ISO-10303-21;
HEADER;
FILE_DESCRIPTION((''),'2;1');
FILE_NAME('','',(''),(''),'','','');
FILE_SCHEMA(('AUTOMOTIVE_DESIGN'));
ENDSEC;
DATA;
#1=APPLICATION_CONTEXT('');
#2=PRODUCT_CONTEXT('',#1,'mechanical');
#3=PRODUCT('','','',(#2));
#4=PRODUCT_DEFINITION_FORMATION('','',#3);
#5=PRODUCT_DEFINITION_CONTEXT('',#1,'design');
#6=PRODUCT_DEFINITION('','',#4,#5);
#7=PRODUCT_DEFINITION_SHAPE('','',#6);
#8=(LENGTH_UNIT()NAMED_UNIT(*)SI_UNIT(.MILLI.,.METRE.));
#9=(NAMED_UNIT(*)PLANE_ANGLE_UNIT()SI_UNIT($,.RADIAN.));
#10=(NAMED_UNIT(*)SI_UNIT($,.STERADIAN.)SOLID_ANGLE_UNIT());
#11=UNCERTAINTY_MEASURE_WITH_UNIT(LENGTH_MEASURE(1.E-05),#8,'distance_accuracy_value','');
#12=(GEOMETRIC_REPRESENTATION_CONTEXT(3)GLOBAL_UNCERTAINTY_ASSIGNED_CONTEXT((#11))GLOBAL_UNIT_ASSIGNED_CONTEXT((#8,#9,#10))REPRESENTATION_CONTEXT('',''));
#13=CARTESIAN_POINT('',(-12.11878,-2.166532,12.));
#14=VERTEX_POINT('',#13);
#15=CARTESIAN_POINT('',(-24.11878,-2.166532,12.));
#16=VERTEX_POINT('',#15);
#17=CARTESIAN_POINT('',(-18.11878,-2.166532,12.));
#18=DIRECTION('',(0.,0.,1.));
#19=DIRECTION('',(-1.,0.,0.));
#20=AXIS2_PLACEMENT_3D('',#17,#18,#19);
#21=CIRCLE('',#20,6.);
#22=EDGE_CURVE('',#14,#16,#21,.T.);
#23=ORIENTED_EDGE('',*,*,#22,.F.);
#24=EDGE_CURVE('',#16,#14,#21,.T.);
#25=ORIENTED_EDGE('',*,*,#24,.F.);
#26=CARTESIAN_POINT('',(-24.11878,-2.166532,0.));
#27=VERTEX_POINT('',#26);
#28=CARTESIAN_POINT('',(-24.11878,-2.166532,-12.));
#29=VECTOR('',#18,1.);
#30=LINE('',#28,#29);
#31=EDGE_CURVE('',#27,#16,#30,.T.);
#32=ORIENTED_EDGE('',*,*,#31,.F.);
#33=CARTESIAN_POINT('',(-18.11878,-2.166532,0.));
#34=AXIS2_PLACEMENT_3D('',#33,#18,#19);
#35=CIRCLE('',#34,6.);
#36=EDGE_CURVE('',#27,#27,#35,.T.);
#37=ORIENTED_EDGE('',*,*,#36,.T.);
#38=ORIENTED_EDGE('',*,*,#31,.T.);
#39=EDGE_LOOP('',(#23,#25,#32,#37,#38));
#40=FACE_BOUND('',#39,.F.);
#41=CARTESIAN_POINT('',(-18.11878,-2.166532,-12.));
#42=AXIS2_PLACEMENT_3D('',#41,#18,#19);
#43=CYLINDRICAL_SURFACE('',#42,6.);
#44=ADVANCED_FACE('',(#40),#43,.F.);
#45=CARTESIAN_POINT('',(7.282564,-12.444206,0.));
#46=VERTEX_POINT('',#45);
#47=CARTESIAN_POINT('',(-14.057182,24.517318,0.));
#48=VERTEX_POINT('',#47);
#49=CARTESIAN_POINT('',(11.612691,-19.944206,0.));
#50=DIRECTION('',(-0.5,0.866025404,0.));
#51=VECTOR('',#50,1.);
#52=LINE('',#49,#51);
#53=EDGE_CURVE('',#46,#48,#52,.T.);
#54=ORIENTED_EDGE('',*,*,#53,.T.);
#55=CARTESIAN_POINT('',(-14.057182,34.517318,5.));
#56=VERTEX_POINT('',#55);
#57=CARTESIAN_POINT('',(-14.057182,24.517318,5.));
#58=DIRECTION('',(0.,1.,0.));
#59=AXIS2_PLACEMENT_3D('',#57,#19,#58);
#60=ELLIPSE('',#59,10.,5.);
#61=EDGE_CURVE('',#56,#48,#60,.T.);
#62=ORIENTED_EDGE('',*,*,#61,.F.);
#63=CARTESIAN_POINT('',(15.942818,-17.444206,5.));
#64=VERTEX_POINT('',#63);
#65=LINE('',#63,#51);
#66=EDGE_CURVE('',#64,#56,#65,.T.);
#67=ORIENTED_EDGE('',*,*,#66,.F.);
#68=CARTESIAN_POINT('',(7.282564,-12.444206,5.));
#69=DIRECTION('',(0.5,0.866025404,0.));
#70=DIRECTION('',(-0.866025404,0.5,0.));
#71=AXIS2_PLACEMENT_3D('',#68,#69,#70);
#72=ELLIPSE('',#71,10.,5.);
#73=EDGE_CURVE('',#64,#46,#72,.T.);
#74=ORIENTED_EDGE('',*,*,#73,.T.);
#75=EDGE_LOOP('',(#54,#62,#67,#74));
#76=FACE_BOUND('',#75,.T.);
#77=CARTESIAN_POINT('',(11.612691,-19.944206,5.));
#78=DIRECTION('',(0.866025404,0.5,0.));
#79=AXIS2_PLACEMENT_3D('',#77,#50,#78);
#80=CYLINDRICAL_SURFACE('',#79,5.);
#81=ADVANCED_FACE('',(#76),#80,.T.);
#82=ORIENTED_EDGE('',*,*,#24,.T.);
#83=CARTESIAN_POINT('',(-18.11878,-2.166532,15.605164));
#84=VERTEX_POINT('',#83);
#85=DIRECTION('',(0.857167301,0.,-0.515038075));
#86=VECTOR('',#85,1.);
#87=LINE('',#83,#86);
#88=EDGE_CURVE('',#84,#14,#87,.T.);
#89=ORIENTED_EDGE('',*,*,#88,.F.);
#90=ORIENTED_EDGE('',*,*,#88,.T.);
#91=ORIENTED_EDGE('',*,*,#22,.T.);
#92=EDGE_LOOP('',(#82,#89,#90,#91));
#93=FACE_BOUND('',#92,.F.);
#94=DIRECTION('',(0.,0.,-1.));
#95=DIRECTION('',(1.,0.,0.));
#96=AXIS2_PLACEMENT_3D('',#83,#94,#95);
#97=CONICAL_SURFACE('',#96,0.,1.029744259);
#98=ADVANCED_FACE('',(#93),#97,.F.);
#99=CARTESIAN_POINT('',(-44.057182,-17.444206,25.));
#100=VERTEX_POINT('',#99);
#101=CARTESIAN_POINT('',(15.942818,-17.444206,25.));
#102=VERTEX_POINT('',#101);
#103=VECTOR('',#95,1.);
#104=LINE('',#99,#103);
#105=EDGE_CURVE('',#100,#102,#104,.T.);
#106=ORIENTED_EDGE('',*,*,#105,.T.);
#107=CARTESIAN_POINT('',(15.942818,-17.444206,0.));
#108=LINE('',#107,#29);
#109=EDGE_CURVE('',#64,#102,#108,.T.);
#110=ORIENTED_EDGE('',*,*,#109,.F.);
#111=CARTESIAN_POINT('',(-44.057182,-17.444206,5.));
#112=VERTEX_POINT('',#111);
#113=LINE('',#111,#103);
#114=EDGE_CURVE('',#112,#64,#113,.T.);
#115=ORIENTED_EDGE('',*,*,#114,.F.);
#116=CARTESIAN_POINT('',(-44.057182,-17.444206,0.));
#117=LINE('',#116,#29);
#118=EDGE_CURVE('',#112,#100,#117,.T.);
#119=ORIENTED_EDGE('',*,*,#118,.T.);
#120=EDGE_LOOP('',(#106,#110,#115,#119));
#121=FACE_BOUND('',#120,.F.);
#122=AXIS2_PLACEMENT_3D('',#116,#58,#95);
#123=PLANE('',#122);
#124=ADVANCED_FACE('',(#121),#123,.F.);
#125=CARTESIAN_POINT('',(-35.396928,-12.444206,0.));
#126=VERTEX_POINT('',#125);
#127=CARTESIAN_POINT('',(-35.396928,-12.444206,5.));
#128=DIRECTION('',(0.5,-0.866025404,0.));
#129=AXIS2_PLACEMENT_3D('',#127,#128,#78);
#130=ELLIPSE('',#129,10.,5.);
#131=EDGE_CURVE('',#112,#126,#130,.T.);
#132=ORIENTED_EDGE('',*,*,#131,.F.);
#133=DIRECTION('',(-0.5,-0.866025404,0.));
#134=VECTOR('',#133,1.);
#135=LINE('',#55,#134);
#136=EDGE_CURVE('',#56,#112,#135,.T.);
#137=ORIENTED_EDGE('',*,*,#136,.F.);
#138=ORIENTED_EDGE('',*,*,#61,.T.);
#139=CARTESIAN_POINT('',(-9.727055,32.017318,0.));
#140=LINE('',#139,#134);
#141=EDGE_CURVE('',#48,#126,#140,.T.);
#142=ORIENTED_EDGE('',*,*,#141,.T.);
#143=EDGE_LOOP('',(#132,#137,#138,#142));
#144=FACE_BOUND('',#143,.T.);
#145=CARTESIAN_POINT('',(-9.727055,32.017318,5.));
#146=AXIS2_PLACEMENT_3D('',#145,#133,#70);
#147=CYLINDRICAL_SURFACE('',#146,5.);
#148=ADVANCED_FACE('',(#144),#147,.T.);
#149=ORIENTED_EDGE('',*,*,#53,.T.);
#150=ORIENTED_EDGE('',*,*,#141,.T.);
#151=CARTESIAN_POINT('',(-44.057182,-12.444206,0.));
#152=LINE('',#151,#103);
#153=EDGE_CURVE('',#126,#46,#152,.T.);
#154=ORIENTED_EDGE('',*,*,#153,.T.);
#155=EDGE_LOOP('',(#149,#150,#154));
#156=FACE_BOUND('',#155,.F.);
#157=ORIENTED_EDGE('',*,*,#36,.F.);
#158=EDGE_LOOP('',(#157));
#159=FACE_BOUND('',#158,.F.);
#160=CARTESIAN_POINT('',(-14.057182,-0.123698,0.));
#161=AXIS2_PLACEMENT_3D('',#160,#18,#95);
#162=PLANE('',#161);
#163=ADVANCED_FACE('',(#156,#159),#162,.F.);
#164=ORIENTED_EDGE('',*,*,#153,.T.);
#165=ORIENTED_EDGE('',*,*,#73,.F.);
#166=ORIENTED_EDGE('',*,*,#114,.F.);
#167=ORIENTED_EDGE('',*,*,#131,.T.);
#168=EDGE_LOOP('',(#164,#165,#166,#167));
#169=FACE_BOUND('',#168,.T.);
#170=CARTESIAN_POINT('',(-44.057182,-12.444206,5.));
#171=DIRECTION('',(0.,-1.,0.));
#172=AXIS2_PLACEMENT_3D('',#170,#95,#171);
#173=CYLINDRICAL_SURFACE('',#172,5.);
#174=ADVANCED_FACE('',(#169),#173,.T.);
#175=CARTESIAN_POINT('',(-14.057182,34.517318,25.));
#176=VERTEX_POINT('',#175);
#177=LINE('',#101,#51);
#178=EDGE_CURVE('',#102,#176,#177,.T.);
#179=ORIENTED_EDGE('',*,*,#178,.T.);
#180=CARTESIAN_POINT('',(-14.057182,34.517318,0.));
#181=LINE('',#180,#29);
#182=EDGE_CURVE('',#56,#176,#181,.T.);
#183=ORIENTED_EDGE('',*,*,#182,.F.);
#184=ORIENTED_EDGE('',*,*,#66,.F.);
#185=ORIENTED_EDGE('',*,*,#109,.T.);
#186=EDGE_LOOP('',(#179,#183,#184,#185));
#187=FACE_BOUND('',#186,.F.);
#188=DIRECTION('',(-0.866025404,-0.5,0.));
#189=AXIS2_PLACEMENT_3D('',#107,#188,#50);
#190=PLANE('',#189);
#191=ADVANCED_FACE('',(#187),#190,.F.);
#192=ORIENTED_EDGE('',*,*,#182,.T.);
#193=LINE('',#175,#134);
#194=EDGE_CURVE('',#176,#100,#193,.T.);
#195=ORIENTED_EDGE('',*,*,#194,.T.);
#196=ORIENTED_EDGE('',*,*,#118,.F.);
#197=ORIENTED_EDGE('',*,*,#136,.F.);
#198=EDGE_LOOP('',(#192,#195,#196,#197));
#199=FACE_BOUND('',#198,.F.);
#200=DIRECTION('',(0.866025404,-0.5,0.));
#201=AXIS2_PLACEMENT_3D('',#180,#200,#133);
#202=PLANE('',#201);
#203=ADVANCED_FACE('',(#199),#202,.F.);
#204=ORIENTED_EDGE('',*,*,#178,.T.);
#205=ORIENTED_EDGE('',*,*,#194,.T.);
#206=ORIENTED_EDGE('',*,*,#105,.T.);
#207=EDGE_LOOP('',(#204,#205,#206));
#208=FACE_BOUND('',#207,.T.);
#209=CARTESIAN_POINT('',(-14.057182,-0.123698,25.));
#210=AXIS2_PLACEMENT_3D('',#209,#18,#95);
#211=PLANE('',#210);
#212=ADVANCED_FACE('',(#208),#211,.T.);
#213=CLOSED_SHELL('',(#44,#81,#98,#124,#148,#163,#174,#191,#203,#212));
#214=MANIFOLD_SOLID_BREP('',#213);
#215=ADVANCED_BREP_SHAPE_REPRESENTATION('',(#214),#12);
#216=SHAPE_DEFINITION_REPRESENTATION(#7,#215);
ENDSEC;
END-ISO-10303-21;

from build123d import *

# Parameters (mm, degrees)
F0_R     = 7.3867254589
F1_DEPTH = 25
F3_D     = 12
F3_DEPTH = 12
F3_TIP   = 3.6051637142
F4_R     = 5


with BuildPart() as f1:
    # F0 (on Top) → F1 (new body)
    with BuildSketch(Plane.XY):
        Polygon((15.9428178774, -17.4442061965), (-14.0571821226, 34.5173180305), (-44.0571821226, -17.4442061965), align=None)
        with Locations((-21.5571821226, -4.4538251398)):
            Circle(F0_R, mode=Mode.SUBTRACT)
        with Locations((-21.5571821226, -4.4538251398)):
            Circle(F0_R)
    extrude(amount=F1_DEPTH)

    # F3
    with Locations(Plane(origin=(0, 0, 0), x_dir=(1, 0, 0), z_dir=(0, 0, -1))):
        with Locations((-18.1187801063, 2.1665317472)):
            Hole(F3_D / 2, depth=F3_DEPTH)
            with Locations((0, 0, -(F3_DEPTH + F3_TIP / 2))):  # 118° drill point
                Cone(0, F3_D / 2, F3_TIP, mode=Mode.SUBTRACT)

    # F4
    f4_edges = [f1.edges().sort_by_distance(p)[0] for p in [
        (0.942818, 8.536556, 0),
        (-14.057182, -17.444206, 0),
        (-29.057182, 8.536556, 0),
    ]]
    fillet(f4_edges, radius=F4_R)


solid = f1.part
